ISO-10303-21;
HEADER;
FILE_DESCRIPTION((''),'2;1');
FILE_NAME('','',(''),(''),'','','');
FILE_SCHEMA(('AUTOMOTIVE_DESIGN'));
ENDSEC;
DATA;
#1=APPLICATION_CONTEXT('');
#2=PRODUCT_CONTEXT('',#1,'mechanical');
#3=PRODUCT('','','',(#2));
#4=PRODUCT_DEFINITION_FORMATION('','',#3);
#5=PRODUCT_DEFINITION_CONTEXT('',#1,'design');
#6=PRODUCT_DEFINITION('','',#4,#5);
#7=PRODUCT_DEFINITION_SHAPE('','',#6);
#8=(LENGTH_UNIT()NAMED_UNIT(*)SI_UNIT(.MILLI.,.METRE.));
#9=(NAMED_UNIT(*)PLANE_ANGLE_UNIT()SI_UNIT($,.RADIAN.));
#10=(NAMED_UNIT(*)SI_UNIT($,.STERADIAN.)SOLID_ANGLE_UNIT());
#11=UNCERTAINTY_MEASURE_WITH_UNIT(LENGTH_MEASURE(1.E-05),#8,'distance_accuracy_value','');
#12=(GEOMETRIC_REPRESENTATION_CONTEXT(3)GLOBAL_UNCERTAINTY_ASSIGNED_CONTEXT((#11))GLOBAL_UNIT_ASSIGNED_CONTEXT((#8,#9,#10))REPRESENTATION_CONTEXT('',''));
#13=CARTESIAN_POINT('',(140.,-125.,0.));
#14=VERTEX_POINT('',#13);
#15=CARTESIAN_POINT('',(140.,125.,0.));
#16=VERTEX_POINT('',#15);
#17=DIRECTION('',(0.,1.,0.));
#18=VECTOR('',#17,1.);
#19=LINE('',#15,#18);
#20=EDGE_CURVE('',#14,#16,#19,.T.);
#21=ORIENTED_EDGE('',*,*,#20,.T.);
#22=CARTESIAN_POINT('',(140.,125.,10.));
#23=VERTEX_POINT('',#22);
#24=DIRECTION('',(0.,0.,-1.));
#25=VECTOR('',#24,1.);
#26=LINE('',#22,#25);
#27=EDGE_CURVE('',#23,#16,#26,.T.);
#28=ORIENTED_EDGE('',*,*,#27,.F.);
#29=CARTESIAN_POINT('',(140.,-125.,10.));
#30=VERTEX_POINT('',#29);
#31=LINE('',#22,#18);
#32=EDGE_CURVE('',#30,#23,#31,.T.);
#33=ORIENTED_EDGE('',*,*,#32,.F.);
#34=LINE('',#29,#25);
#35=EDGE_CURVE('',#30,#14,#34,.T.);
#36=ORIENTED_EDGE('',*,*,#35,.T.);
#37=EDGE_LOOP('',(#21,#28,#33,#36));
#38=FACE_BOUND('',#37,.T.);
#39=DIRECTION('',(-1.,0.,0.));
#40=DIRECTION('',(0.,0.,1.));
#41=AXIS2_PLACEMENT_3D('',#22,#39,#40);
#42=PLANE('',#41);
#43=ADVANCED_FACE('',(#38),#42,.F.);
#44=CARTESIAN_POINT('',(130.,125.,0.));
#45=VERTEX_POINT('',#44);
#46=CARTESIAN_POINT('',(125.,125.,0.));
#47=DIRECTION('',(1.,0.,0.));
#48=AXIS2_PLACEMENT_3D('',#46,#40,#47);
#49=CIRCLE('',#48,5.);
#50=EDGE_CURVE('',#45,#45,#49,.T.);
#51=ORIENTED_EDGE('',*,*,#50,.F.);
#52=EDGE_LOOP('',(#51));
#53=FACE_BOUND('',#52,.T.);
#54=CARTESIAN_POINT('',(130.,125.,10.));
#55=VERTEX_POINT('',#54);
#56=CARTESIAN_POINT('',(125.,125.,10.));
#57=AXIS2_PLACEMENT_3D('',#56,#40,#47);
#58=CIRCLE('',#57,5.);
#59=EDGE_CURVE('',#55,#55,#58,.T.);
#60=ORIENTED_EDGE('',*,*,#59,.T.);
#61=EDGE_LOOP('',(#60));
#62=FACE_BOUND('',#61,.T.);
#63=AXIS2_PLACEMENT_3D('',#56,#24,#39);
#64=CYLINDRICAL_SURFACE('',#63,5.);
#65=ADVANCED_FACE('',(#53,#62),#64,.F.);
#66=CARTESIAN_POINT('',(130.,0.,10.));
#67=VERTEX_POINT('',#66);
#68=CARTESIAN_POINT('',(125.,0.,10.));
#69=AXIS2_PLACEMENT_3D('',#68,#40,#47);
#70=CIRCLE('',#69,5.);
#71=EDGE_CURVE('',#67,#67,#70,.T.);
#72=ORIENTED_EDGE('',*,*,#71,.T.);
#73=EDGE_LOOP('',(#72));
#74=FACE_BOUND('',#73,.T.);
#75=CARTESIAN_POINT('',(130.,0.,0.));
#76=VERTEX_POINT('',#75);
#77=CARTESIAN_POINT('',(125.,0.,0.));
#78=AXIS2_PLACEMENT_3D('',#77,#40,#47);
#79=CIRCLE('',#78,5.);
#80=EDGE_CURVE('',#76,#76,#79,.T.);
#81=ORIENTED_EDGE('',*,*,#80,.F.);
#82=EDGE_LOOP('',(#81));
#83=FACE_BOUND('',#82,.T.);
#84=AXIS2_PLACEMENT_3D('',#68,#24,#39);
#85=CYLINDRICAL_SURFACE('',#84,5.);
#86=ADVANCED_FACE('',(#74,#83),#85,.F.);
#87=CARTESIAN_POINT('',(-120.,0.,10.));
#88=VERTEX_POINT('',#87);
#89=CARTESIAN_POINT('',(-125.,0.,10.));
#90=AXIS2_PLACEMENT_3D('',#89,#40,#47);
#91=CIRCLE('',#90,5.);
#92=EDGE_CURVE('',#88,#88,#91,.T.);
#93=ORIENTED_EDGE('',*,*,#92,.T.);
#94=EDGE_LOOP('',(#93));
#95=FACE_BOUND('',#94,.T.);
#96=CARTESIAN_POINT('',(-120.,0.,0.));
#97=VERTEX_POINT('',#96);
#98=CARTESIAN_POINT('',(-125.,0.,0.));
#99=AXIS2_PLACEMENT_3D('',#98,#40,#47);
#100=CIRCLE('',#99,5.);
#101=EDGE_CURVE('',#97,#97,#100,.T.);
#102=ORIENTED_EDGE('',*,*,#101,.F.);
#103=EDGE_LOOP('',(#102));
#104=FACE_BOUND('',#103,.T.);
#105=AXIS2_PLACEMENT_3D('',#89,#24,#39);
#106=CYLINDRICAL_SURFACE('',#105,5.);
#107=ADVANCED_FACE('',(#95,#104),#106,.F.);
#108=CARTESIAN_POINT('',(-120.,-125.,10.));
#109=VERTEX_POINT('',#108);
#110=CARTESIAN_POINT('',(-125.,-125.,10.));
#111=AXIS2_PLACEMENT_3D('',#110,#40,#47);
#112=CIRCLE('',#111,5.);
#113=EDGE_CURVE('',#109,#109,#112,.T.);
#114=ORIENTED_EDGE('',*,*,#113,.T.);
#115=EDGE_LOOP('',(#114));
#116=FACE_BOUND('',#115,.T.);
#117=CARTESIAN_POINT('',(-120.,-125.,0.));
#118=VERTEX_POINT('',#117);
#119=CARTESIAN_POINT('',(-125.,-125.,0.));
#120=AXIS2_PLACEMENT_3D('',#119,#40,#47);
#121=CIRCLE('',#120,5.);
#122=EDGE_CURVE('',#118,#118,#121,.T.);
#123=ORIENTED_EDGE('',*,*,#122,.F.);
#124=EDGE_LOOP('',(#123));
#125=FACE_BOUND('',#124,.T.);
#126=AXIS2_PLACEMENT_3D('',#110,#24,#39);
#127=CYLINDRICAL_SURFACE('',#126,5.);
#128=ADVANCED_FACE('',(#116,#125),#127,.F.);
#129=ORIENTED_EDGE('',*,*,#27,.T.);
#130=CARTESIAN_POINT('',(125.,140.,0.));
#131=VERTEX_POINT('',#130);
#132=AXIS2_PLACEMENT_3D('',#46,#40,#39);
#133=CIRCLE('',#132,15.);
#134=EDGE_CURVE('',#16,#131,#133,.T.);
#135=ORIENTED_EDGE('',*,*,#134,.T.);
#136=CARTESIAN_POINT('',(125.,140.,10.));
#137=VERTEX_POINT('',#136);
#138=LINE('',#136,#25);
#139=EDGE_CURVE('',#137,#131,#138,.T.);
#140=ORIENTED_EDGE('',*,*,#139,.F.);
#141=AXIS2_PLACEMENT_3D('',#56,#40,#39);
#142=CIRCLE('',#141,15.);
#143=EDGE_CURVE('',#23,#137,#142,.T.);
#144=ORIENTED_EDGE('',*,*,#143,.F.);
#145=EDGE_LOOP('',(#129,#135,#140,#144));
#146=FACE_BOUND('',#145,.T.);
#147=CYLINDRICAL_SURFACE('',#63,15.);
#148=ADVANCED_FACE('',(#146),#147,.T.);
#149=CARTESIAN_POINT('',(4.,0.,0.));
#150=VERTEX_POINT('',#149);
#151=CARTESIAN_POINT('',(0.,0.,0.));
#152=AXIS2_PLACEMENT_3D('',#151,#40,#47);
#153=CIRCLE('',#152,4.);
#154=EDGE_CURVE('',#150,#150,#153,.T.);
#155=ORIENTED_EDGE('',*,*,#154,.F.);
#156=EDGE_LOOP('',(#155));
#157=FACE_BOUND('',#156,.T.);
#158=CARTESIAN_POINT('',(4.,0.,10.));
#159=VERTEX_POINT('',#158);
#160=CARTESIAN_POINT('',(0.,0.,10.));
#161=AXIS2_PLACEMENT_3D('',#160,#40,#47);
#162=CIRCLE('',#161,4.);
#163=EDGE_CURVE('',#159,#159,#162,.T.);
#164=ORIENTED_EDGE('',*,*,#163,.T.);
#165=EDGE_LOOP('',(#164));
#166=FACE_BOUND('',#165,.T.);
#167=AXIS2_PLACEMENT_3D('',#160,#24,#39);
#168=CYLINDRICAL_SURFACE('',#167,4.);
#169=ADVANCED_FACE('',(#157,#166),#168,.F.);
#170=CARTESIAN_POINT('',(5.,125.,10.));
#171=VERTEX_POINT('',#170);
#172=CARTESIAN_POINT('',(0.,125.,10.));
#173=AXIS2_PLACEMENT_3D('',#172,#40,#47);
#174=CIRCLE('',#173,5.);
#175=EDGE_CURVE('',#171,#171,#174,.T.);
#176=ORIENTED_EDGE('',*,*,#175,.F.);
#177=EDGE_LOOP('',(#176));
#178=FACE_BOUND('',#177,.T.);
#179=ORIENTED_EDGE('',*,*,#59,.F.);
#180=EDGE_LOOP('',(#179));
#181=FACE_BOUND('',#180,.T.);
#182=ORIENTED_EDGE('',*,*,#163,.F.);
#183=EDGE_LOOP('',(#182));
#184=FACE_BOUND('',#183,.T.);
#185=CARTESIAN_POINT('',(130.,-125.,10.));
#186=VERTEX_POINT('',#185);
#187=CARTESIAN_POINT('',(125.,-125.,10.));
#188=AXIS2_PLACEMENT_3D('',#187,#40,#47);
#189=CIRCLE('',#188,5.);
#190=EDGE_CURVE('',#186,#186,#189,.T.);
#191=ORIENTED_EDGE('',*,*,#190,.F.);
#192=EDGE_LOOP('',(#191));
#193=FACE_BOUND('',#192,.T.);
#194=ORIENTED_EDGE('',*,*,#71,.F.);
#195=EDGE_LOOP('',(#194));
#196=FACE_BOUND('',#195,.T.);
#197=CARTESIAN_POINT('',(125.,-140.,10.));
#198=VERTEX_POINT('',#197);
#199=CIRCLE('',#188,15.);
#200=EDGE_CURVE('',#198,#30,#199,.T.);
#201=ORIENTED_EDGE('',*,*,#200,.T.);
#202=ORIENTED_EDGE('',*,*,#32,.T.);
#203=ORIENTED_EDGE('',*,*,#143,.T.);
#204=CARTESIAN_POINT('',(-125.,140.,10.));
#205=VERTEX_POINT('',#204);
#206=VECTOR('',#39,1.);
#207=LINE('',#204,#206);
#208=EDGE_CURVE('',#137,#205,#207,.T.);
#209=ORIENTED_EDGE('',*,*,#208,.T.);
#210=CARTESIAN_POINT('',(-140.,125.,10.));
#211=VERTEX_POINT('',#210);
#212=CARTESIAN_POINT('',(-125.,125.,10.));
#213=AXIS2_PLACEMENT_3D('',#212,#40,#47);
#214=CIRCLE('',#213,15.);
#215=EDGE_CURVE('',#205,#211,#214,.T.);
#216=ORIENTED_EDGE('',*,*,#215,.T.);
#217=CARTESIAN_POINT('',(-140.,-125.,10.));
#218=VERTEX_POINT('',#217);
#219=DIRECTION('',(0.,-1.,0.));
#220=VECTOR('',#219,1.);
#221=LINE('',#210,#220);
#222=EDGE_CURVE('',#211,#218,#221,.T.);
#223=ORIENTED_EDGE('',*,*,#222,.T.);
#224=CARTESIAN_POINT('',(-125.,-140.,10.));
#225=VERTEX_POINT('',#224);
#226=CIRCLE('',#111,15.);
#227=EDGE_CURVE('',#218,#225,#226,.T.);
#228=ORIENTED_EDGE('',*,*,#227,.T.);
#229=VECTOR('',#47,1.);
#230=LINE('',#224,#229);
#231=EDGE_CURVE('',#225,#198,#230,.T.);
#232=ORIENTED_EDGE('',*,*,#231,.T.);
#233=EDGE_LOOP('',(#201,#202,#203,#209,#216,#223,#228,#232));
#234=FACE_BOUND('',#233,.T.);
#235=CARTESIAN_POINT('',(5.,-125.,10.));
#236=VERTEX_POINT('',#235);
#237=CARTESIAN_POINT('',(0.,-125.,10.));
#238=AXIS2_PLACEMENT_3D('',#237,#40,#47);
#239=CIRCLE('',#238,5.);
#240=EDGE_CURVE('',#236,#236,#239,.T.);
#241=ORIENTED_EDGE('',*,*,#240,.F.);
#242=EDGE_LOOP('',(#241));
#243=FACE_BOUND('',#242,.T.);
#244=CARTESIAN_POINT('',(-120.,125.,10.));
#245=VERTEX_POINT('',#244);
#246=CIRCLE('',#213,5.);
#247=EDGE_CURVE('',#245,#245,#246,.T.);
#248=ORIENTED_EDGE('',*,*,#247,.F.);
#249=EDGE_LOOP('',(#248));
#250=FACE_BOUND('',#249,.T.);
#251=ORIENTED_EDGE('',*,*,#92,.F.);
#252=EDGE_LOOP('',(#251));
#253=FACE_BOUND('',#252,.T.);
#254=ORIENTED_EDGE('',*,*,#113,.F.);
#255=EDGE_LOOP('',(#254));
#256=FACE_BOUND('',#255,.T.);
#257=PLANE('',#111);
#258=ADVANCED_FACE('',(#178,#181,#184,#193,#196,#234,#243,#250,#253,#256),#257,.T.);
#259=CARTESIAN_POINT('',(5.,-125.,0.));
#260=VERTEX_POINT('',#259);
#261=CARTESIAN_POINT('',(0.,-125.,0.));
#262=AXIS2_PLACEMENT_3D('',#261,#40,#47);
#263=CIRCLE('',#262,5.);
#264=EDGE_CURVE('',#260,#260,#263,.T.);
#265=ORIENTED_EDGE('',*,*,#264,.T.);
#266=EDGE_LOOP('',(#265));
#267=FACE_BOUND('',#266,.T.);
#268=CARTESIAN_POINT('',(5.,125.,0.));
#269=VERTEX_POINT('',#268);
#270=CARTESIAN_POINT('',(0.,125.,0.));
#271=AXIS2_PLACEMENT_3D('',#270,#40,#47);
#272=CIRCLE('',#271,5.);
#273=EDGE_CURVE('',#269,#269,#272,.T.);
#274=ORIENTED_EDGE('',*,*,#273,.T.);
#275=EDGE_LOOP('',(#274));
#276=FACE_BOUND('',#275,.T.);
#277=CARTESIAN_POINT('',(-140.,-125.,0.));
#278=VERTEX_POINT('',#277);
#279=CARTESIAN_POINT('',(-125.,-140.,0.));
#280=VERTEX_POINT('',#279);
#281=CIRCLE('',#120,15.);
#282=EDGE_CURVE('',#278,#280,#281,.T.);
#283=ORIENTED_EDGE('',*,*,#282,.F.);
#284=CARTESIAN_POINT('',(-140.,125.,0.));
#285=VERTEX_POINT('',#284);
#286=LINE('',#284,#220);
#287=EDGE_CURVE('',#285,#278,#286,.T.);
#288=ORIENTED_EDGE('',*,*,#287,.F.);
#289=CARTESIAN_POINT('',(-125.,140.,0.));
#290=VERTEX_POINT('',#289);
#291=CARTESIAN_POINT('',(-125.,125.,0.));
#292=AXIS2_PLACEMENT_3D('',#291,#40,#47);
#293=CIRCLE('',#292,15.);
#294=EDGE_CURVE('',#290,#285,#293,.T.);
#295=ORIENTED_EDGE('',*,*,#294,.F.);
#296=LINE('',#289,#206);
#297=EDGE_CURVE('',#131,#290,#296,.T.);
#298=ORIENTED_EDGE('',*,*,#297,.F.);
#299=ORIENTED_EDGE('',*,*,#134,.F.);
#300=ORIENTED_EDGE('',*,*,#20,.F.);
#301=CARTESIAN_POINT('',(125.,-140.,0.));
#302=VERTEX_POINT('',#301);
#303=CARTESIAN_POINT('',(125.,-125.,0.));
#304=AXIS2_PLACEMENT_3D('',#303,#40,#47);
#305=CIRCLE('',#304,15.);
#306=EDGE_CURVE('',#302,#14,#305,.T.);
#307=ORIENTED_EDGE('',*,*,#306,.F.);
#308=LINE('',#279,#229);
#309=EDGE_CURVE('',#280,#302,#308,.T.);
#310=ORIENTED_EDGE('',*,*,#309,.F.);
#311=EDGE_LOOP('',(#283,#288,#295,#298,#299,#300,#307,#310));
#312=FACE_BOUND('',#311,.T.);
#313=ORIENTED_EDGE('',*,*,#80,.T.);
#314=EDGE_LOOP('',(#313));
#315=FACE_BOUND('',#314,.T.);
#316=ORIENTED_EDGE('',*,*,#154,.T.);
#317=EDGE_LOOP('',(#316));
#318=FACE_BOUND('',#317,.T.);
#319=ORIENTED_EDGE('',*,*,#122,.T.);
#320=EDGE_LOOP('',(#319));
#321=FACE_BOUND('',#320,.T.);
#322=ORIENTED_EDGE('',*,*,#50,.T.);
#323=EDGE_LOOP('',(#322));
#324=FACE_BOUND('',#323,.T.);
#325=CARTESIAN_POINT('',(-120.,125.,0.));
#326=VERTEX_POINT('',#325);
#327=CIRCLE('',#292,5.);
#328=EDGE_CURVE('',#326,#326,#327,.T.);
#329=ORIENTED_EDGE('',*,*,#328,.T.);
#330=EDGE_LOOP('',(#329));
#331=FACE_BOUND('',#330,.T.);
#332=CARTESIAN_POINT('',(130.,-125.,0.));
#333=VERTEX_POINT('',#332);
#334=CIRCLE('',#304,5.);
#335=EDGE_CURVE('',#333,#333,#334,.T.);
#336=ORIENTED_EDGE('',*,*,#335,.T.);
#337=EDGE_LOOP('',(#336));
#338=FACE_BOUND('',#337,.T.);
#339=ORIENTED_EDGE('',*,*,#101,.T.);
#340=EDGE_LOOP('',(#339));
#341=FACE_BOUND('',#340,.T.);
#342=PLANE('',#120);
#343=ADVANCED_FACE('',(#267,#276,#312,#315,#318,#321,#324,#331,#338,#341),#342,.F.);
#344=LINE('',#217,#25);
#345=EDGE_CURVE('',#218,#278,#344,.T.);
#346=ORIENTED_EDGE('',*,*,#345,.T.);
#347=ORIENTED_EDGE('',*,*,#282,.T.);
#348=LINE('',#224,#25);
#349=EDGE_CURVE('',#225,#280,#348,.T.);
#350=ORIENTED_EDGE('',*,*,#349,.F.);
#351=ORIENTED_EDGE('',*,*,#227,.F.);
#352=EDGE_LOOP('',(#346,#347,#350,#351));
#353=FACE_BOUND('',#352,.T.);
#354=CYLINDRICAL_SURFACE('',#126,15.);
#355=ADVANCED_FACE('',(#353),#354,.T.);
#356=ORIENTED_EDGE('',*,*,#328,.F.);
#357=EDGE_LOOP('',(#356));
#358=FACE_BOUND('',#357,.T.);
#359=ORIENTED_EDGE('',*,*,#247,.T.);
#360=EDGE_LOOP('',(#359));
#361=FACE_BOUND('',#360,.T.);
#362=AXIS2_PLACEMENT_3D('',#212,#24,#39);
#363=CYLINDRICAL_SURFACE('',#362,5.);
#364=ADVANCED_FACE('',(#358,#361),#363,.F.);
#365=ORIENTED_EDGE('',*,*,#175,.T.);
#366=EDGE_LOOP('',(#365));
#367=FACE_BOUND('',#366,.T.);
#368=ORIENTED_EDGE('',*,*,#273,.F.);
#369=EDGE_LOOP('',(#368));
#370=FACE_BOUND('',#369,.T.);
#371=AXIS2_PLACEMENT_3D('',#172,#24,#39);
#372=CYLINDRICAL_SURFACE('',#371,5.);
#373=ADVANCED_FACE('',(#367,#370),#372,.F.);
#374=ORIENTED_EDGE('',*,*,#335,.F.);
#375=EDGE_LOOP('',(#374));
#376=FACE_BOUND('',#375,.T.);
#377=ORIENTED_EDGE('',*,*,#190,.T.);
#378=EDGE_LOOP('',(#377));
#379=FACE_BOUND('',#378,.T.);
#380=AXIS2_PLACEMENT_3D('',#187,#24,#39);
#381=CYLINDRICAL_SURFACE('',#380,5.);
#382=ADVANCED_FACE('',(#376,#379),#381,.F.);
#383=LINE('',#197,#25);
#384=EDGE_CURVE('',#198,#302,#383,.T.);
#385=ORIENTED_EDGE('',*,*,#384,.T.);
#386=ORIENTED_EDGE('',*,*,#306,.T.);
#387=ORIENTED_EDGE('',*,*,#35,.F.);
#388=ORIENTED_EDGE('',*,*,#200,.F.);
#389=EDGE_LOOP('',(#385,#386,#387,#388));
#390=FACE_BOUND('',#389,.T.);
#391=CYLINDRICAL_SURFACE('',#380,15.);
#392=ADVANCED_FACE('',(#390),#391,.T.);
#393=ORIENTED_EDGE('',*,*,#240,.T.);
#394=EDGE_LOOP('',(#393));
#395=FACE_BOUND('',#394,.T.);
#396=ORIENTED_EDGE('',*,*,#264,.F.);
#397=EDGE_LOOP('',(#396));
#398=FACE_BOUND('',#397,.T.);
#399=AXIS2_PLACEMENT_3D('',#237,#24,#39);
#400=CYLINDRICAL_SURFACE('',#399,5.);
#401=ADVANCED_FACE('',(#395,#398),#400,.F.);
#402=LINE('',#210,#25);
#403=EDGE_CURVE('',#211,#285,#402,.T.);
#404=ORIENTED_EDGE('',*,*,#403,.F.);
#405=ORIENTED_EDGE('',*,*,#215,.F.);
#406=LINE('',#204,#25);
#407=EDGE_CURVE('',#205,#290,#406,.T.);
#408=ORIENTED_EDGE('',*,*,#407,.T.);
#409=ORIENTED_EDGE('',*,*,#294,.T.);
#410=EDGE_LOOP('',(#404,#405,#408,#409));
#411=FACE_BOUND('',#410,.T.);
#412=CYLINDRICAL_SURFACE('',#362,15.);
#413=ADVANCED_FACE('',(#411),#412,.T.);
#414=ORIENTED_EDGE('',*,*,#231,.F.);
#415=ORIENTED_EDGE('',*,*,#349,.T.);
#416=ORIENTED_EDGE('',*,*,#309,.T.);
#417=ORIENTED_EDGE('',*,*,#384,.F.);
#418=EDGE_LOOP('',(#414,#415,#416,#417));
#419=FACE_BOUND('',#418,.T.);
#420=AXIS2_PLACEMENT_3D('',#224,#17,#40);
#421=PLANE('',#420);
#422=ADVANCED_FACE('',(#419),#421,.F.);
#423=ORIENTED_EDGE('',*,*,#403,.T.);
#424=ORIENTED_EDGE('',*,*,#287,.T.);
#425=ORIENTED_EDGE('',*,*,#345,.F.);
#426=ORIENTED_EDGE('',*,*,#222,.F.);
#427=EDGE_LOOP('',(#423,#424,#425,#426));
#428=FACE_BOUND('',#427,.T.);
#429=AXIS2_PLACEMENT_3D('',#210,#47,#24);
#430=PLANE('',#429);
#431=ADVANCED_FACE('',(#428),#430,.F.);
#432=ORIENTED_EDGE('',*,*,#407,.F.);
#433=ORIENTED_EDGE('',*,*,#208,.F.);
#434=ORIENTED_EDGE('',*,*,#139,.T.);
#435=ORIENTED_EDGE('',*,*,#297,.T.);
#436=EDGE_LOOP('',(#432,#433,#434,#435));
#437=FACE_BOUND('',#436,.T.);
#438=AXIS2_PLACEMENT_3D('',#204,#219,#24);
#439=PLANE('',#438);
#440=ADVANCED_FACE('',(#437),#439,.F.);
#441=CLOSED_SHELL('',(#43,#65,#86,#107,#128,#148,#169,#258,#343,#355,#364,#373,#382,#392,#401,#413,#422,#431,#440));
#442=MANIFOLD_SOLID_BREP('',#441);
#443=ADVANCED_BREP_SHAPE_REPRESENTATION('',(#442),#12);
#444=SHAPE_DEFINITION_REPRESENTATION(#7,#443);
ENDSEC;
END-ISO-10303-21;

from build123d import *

# Parameters (mm, degrees)
SKETCH2_R           = 5
SKETCH2_R_2         = 4
BOSS_EXTRUDE1_DEPTH = 10


with BuildPart() as part:
    # Sketch2 → Boss-Extrude1 (new body)
    with BuildSketch(Plane.XY):
        with BuildLine():
            Line((-125, 140), (125, 140))
            ThreePointArc((125, 140), (135.606601718, 135.606601718), (140, 125))
            Line((140, 125), (140, -125))
            ThreePointArc((140, -125), (135.606601718, -135.606601718), (125, -140))
            Line((125, -140), (-125, -140))
            ThreePointArc((-125, -140), (-135.606601718, -135.606601718), (-140, -125))
            Line((-140, -125), (-140, 125))
            ThreePointArc((-140, 125), (-135.606601718, 135.606601718), (-125, 140))
        make_face()
        with Locations((-125, 125)):
            Circle(SKETCH2_R, mode=Mode.SUBTRACT)
        with Locations((0, 125)):
            Circle(SKETCH2_R, mode=Mode.SUBTRACT)
        with Locations((125, 125)):
            Circle(SKETCH2_R, mode=Mode.SUBTRACT)
        Circle(SKETCH2_R_2, mode=Mode.SUBTRACT)
        with Locations((125, 0)):
            Circle(SKETCH2_R, mode=Mode.SUBTRACT)
        with Locations((-125, 0)):
            Circle(SKETCH2_R, mode=Mode.SUBTRACT)
        with Locations((-125, -125)):
            Circle(SKETCH2_R, mode=Mode.SUBTRACT)
        with Locations((0, -125)):
            Circle(SKETCH2_R, mode=Mode.SUBTRACT)
        with Locations((125, -125)):
            Circle(SKETCH2_R, mode=Mode.SUBTRACT)
    extrude(amount=BOSS_EXTRUDE1_DEPTH)


solid = part.part
